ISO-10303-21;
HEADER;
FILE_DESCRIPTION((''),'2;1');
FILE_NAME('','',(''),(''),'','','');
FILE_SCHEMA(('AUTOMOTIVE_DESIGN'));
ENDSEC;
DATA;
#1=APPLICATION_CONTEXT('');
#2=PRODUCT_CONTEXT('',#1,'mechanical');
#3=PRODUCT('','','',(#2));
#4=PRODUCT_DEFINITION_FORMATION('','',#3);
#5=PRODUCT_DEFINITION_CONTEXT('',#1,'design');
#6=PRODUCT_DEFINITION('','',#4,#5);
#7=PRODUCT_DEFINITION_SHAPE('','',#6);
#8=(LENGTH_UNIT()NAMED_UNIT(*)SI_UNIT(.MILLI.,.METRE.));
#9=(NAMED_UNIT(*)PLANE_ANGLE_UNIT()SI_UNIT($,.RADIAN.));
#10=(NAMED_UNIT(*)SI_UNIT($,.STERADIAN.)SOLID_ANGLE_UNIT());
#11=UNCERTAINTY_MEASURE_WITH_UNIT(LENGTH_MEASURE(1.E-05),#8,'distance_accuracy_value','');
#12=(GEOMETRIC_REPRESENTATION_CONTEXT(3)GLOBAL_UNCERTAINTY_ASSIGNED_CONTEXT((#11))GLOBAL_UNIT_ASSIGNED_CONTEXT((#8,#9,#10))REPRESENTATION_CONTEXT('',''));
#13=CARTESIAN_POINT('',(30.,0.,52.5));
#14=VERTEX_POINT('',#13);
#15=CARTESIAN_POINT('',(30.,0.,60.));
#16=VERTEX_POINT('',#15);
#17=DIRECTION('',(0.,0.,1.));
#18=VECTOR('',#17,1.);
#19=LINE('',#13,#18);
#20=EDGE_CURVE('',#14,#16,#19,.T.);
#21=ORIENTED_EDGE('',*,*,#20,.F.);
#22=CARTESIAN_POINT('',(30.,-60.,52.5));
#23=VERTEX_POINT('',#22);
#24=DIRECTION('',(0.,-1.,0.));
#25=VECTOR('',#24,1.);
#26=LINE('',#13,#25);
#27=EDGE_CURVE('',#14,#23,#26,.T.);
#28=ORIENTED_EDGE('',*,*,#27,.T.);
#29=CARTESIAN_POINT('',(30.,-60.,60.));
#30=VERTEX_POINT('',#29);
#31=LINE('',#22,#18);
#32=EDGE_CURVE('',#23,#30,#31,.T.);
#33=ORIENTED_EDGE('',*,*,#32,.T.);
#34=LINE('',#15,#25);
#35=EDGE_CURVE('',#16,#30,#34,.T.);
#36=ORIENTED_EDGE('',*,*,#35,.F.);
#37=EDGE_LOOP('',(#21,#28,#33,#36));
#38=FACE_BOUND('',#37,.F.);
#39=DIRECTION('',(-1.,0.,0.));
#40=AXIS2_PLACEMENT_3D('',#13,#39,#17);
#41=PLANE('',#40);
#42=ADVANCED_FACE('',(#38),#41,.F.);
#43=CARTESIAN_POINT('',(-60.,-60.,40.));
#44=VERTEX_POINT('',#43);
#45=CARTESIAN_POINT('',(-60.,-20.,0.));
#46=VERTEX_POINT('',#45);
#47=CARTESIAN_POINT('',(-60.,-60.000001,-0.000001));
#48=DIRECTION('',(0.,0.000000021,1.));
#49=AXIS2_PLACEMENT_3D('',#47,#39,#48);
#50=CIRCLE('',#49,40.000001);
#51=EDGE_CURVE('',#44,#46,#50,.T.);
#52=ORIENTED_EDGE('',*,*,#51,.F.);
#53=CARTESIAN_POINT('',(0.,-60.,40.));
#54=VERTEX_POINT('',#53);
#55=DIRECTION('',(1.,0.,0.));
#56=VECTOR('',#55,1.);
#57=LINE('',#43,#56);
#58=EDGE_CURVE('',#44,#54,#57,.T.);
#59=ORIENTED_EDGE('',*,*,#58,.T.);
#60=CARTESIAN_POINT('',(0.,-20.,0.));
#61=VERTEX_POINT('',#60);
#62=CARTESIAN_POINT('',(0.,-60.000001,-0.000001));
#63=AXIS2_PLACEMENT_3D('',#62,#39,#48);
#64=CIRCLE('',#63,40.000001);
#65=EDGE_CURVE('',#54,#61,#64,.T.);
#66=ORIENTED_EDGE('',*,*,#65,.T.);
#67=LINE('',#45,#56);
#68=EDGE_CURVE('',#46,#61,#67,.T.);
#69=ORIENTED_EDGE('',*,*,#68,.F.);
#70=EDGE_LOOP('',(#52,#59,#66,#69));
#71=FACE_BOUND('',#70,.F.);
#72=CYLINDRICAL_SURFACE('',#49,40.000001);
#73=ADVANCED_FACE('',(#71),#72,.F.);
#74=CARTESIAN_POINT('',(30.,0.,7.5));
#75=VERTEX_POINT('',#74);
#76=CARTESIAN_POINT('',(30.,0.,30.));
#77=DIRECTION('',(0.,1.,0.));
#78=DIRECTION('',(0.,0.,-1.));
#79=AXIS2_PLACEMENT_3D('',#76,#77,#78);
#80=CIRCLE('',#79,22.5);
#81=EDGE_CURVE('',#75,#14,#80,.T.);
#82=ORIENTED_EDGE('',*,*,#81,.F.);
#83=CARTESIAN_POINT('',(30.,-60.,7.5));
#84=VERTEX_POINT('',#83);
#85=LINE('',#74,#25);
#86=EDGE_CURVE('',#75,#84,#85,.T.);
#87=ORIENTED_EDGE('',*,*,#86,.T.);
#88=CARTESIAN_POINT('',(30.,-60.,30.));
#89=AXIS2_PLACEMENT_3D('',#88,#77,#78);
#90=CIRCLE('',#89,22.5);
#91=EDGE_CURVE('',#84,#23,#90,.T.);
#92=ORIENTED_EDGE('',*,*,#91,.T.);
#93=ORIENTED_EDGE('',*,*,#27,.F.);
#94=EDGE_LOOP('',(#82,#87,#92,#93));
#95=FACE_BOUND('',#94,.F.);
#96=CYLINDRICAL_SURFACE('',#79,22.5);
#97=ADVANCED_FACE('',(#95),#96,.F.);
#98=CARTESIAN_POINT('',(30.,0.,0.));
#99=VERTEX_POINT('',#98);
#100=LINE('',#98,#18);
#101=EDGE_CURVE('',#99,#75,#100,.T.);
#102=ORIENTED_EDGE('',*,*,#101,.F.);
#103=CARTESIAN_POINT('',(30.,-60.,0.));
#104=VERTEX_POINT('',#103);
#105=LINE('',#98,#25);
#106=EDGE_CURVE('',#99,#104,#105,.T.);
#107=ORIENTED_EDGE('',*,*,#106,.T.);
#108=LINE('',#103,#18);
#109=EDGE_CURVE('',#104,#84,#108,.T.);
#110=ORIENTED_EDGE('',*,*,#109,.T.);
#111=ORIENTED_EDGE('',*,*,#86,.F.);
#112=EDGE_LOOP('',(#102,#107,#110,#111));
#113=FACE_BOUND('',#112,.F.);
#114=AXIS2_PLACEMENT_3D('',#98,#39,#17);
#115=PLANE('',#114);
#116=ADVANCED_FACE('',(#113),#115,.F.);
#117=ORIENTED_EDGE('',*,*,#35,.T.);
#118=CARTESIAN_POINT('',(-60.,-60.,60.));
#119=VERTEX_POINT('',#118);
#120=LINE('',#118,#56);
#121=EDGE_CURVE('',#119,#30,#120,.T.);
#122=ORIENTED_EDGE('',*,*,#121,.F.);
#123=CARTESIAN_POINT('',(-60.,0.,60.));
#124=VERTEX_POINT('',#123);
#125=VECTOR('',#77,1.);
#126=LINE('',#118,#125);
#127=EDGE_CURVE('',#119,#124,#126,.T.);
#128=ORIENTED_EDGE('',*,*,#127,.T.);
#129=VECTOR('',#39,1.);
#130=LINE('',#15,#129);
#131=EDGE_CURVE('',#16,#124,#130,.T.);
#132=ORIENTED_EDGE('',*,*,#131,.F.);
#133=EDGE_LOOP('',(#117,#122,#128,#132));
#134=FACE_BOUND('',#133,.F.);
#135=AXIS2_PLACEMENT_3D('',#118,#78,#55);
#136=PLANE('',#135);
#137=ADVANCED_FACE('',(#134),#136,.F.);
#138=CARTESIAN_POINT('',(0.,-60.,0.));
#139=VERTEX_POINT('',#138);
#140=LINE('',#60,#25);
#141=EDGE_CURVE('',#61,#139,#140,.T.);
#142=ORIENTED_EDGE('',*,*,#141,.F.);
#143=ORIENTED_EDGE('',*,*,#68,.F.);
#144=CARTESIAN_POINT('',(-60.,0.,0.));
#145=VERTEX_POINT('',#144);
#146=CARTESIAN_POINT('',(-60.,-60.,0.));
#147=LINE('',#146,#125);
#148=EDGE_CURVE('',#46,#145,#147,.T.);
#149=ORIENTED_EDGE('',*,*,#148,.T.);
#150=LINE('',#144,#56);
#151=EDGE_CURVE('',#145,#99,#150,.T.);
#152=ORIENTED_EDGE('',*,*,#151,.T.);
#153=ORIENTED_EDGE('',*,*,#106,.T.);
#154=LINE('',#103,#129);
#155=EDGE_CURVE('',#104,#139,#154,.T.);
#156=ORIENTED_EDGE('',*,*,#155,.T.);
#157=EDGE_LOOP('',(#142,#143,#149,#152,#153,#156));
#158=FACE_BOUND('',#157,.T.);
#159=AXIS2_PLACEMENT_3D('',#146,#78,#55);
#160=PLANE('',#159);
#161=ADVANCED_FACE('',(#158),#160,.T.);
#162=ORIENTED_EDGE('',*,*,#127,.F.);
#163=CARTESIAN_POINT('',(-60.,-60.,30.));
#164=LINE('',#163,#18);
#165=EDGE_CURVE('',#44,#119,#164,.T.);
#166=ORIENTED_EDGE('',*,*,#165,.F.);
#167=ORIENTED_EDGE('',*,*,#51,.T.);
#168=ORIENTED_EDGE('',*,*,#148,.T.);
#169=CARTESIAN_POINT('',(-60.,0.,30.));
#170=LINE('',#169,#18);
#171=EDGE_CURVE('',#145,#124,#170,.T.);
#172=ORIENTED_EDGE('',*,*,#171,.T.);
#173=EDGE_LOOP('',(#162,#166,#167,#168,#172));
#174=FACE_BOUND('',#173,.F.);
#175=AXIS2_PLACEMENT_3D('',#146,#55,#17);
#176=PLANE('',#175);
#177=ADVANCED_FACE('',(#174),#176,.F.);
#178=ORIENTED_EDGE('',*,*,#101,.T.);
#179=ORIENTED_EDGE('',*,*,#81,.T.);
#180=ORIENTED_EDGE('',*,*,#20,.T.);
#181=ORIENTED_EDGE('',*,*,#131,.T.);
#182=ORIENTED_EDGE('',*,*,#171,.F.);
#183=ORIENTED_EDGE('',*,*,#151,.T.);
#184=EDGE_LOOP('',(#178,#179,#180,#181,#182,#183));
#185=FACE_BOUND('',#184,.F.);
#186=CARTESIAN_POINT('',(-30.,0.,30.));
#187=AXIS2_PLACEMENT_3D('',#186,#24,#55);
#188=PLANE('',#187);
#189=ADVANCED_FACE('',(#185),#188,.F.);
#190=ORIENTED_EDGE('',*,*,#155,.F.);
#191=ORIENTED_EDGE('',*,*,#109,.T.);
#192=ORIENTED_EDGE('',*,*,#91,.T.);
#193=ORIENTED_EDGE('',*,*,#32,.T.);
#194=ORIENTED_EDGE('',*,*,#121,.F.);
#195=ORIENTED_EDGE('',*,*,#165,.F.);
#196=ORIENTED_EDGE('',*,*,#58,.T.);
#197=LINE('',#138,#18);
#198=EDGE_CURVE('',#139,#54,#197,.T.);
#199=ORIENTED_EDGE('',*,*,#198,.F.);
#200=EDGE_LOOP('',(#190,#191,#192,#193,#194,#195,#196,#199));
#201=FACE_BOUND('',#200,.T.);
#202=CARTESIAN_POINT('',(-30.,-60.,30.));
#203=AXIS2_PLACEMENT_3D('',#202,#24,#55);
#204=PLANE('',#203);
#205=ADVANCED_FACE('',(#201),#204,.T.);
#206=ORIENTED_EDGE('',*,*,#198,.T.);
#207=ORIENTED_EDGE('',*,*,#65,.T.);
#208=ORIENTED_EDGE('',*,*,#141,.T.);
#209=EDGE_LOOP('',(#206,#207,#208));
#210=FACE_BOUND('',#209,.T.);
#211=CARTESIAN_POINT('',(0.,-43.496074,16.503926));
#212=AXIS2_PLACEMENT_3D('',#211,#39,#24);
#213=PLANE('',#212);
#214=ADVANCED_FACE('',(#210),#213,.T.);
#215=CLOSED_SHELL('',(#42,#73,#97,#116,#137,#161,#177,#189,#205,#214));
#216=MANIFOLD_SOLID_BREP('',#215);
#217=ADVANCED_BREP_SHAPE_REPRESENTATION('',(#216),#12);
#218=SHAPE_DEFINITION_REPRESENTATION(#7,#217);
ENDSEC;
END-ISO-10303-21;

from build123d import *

# Parameters (mm, degrees)
F1_DEPTH = 60
F2_W     = 60
F2_H     = 60
F3_DEPTH = 60
F5_DEPTH = 60


with BuildPart() as f1:
    # F0 (on Front) → F1 (new body)
    with BuildSketch(Plane.XZ):
        with BuildLine():
            Line((0, 60), (0, 0))
            Line((0, 0), (30, 0))
            Line((30, 0), (30, 7.5))
            ThreePointArc((30, 7.5), (7.5, 30), (30, 52.5))
            Line((30, 52.5), (30, 60))
            Line((30, 60), (0, 60))
        make_face()
    extrude(amount=F1_DEPTH)

    # F2 (on face) → F3 (join)
    with BuildSketch(Plane.XZ.offset(60)):
        with Locations((-30, 30)):
            Rectangle(F2_W, F2_H)
    extrude(amount=-F3_DEPTH)

    # F4 (on face) → F5 (cut)
    with BuildSketch(Plane(origin=(-60, 0, 0), x_dir=(0, -1, 0), z_dir=(-1, 0, 0))):
        with BuildLine():
            Line((60, 0), (60, 40))
            ThreePointArc((60, 40), (31.715729, 28.284271), (20, 0))
            Line((20, 0), (60, 0))
        make_face()
    extrude(amount=-F5_DEPTH, mode=Mode.SUBTRACT)


solid = f1.part
